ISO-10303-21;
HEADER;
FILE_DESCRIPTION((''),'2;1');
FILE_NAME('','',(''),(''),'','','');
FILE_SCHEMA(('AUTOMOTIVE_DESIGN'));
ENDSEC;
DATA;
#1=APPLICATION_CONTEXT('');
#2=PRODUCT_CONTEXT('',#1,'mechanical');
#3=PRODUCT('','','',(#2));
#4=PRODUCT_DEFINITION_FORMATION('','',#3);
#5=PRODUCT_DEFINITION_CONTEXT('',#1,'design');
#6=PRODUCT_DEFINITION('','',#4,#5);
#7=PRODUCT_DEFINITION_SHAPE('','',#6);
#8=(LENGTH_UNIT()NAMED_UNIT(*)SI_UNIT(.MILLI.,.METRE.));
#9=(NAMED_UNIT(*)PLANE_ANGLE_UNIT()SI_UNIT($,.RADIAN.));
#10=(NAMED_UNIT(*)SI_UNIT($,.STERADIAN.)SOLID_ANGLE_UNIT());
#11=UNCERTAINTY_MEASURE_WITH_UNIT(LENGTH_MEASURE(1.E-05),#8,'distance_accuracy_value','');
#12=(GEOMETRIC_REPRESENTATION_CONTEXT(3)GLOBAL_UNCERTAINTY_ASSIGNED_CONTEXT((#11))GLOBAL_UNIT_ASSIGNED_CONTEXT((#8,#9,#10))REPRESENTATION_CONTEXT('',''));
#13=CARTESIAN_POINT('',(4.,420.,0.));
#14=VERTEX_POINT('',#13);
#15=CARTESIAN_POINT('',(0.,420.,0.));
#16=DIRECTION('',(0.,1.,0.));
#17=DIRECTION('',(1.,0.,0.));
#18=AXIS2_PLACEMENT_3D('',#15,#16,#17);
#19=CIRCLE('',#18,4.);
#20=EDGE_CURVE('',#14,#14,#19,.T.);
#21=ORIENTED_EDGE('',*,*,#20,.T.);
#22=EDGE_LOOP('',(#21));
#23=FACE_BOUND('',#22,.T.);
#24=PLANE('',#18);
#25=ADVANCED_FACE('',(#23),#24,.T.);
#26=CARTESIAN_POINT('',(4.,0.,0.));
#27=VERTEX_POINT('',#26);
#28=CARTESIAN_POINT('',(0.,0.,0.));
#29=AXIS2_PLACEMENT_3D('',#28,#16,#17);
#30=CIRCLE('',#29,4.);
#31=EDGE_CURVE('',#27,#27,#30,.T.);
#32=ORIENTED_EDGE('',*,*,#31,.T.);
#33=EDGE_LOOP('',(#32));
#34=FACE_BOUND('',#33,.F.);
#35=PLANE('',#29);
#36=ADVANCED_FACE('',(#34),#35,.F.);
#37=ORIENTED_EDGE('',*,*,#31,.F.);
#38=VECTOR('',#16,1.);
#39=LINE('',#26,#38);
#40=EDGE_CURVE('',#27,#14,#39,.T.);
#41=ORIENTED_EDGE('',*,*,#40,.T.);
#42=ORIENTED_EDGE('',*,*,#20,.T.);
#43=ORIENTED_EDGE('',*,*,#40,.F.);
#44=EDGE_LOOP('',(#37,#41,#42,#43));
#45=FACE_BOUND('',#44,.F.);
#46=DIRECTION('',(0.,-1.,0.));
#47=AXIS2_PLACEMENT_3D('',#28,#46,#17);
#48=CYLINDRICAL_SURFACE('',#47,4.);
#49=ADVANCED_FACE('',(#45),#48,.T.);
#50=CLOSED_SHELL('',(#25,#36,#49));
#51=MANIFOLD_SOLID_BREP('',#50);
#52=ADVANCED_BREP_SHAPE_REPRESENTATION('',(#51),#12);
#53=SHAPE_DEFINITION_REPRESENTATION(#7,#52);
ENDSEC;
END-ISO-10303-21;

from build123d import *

# Parameters (mm, degrees)
SKETCH1_R           = 4
BOSS_EXTRUDE1_DEPTH = 420


with BuildPart() as part:
    # Sketch1 → Boss-Extrude1 (new body)
    with BuildSketch(Plane(origin=(0, 0, 0), x_dir=(1, 0, 0), z_dir=(0, 1, 0))):
        Circle(SKETCH1_R)
    extrude(amount=BOSS_EXTRUDE1_DEPTH)


solid = part.part
